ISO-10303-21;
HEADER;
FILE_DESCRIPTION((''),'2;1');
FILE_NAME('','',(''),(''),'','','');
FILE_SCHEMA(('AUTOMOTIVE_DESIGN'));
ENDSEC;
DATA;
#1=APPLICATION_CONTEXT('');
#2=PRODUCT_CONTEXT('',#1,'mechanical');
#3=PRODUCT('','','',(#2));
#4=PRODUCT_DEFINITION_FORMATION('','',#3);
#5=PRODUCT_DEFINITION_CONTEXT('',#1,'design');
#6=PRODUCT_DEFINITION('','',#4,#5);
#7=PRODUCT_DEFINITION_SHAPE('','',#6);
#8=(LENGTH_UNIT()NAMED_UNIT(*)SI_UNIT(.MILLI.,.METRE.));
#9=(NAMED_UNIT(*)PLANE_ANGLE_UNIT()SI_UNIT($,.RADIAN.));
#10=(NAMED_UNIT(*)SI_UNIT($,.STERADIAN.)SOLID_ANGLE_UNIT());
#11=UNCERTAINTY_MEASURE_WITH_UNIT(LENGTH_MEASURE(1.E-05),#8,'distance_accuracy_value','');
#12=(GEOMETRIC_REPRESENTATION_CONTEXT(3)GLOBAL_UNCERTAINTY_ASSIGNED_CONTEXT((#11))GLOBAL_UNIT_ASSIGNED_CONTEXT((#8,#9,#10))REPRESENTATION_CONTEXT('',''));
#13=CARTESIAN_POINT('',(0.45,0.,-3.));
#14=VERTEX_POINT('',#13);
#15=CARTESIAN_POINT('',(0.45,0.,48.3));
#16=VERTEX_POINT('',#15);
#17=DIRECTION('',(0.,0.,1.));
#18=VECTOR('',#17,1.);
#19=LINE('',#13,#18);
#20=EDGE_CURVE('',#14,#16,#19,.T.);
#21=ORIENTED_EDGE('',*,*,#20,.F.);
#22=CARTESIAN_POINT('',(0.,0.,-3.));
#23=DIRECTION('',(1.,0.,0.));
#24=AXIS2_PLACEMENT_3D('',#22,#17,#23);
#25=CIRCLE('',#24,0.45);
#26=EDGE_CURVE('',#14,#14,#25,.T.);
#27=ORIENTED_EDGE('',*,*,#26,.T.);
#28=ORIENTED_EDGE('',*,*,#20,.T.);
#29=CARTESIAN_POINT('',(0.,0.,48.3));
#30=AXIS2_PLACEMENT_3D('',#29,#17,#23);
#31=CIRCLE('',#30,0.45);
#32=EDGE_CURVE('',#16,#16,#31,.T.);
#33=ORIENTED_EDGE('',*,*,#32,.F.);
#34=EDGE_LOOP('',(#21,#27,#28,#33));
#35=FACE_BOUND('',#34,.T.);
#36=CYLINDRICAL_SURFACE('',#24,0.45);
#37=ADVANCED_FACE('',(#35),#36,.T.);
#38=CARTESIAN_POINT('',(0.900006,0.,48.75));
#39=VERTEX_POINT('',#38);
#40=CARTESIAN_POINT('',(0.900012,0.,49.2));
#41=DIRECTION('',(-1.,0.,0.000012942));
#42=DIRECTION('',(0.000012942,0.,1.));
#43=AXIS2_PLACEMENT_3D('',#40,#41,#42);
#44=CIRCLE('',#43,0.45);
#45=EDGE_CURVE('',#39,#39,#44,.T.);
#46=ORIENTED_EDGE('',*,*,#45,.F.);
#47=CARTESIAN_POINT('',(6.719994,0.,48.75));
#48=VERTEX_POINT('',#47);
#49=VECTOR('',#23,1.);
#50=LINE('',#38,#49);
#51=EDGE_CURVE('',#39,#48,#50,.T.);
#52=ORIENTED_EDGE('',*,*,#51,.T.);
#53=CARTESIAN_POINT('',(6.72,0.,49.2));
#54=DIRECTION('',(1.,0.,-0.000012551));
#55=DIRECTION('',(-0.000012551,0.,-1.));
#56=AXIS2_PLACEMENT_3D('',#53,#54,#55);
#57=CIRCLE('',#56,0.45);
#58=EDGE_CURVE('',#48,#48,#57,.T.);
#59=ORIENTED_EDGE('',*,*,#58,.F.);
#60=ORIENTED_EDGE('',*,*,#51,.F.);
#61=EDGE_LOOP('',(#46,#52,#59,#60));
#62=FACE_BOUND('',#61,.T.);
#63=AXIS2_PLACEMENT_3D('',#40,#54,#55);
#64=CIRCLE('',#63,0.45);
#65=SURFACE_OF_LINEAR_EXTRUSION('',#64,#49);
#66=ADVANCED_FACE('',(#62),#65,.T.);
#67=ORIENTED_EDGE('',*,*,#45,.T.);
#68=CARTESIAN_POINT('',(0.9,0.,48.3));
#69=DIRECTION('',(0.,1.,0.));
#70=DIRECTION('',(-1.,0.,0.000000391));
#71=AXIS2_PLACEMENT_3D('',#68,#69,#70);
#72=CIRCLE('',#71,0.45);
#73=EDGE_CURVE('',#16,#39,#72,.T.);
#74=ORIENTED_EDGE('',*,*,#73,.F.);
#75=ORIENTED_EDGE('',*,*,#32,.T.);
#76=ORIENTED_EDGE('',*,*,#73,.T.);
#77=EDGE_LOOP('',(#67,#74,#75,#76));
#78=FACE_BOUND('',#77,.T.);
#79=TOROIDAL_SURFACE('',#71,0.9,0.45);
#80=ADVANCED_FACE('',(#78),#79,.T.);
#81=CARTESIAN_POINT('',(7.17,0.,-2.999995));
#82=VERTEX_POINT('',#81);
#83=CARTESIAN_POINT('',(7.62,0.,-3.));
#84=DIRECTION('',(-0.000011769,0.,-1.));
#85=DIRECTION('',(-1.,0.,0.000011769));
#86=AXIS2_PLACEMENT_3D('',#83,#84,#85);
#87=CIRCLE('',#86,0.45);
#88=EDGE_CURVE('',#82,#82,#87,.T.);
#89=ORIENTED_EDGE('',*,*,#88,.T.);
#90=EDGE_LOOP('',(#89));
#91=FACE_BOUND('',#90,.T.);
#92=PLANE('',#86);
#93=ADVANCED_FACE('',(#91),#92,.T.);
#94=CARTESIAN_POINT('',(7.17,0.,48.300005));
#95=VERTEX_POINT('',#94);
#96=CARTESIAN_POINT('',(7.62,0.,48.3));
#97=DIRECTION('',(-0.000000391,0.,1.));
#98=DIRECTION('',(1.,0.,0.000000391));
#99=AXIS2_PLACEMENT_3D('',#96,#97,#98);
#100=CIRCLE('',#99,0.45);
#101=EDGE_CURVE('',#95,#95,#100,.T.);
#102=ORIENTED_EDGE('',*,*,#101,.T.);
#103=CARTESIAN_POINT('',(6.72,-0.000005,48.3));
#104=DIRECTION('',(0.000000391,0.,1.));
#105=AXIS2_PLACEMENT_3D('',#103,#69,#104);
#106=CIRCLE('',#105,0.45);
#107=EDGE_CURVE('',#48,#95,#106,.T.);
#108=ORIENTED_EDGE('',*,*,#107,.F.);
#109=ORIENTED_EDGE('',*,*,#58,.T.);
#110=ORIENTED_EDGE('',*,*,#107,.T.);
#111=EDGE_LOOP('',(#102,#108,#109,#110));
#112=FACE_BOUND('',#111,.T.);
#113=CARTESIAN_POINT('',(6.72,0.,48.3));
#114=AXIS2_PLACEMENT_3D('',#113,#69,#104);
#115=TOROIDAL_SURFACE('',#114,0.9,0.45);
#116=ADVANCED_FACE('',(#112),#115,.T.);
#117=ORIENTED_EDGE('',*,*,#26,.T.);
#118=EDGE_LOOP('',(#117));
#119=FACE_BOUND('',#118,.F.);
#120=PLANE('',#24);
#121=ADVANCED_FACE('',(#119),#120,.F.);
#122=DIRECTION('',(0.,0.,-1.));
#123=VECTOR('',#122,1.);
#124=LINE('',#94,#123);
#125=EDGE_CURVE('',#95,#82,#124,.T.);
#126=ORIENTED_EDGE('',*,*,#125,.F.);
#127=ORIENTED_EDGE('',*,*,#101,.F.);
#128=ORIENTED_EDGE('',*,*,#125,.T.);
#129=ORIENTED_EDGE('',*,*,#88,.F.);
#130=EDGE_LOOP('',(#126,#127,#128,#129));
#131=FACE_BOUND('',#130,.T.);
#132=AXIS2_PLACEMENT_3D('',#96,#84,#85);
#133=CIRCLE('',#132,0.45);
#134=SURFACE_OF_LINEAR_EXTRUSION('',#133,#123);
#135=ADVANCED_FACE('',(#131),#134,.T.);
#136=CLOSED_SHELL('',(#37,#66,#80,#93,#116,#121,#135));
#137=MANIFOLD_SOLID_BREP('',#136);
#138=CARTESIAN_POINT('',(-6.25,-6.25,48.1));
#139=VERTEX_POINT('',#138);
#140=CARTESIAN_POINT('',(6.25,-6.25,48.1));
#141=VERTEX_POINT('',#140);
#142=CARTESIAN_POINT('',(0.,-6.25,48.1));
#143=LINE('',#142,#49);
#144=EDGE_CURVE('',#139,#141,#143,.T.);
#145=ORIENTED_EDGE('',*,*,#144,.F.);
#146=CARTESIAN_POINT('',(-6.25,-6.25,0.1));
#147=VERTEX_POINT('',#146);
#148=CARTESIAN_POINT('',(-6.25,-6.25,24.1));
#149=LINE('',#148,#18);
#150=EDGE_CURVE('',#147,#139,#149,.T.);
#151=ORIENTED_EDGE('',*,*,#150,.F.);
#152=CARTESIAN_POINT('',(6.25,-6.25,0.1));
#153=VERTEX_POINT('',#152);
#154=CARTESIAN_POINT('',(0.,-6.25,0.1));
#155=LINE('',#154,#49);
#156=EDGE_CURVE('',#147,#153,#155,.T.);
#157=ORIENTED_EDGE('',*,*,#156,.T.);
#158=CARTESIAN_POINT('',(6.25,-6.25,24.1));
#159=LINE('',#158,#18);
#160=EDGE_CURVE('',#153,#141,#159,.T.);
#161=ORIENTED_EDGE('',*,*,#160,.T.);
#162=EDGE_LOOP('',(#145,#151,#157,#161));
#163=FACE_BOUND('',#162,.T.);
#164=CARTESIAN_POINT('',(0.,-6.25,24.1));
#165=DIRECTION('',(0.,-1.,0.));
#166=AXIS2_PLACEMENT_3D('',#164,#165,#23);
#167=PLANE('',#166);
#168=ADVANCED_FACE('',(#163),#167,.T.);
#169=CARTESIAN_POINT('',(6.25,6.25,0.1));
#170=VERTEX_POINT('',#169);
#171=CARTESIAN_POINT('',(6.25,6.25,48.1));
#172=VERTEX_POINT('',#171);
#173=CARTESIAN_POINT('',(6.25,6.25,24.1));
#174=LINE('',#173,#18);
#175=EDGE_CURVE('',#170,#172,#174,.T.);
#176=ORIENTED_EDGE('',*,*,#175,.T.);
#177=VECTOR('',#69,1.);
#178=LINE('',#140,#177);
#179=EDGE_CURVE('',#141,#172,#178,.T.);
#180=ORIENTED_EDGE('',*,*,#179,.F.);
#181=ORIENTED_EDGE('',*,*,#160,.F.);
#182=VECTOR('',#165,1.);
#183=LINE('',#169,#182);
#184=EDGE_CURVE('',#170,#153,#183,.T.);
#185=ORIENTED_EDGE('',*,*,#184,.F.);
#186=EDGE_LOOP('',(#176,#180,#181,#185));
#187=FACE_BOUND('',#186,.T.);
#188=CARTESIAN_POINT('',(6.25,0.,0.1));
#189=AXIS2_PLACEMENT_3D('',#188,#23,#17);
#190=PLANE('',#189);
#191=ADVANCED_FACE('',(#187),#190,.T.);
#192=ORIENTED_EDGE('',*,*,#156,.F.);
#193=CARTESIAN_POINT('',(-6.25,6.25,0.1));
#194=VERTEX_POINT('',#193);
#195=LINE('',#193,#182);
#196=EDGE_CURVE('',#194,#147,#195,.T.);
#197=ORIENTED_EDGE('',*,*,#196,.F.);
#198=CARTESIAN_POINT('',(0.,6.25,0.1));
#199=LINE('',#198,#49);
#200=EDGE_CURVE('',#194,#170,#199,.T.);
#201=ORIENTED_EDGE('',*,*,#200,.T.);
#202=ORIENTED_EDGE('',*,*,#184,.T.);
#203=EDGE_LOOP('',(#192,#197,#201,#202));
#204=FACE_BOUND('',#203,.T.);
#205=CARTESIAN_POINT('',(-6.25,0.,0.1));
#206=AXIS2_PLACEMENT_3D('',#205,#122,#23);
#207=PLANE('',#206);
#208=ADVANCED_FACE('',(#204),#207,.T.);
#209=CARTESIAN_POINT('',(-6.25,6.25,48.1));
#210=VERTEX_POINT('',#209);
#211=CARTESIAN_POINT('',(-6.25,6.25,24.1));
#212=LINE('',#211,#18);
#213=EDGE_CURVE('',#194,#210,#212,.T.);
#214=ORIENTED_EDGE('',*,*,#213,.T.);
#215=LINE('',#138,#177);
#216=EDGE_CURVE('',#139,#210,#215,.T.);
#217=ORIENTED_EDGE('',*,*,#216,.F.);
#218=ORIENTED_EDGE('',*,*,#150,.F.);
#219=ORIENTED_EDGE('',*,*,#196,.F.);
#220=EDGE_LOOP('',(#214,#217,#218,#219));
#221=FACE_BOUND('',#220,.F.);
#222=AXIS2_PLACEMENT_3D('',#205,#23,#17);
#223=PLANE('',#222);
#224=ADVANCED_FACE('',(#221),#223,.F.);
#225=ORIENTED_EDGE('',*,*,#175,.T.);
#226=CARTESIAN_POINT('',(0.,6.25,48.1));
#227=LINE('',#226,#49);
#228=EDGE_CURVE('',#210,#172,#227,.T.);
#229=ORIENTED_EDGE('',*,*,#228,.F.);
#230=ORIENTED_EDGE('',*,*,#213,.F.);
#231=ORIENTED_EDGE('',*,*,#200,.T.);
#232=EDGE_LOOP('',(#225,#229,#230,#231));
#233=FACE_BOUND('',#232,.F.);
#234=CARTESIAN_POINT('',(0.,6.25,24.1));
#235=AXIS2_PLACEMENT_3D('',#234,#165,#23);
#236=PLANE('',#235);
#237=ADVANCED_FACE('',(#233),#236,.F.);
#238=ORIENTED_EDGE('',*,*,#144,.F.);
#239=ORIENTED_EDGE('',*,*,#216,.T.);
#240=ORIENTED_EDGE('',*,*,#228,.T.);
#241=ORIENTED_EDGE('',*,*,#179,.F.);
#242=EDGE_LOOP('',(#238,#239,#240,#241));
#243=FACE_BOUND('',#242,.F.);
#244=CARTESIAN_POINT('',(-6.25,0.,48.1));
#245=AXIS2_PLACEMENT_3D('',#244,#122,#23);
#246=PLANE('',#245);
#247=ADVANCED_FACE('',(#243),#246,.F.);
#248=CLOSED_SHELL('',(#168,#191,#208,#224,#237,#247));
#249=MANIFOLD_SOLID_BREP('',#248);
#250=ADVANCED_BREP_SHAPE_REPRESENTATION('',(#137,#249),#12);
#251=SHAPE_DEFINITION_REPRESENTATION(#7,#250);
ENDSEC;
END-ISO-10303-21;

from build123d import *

# Parameters (mm, degrees)
SKETCH_R    = 0.45
SKETCH002_W = 12.5
SKETCH002_H = 48
PAD_DEPTH   = 6.25


with BuildPart() as sweep_body:
    # Sweep: sweep along a path in Sketch001
    with BuildLine(Plane.XZ) as sweep_path:
        Line((0, -3), (0, 48.3))
        ThreePointArc((0, 48.3), (0.263608, 48.9364), (0.900012, 49.2))
        Line((0.900012, 49.2), (6.72, 49.2))
        ThreePointArc((6.72, 49.2), (7.356396, 48.936396), (7.62, 48.3))
        Line((7.62, 48.3), (7.62, -3))
    # Sketch → Sweep (sweep)
    with BuildSketch(Plane.XY.offset(-2)):
        Circle(SKETCH_R)
    sweep(path=sweep_path.line)


with BuildPart() as pad:
    # Sketch002 → Pad (new body, symmetric)
    with BuildSketch(Plane.XZ):
        with Locations((0, 24.1)):
            Rectangle(SKETCH002_W, SKETCH002_H)
    extrude(amount=PAD_DEPTH, both=True)


solid = Compound([sweep_body.part, pad.part])
